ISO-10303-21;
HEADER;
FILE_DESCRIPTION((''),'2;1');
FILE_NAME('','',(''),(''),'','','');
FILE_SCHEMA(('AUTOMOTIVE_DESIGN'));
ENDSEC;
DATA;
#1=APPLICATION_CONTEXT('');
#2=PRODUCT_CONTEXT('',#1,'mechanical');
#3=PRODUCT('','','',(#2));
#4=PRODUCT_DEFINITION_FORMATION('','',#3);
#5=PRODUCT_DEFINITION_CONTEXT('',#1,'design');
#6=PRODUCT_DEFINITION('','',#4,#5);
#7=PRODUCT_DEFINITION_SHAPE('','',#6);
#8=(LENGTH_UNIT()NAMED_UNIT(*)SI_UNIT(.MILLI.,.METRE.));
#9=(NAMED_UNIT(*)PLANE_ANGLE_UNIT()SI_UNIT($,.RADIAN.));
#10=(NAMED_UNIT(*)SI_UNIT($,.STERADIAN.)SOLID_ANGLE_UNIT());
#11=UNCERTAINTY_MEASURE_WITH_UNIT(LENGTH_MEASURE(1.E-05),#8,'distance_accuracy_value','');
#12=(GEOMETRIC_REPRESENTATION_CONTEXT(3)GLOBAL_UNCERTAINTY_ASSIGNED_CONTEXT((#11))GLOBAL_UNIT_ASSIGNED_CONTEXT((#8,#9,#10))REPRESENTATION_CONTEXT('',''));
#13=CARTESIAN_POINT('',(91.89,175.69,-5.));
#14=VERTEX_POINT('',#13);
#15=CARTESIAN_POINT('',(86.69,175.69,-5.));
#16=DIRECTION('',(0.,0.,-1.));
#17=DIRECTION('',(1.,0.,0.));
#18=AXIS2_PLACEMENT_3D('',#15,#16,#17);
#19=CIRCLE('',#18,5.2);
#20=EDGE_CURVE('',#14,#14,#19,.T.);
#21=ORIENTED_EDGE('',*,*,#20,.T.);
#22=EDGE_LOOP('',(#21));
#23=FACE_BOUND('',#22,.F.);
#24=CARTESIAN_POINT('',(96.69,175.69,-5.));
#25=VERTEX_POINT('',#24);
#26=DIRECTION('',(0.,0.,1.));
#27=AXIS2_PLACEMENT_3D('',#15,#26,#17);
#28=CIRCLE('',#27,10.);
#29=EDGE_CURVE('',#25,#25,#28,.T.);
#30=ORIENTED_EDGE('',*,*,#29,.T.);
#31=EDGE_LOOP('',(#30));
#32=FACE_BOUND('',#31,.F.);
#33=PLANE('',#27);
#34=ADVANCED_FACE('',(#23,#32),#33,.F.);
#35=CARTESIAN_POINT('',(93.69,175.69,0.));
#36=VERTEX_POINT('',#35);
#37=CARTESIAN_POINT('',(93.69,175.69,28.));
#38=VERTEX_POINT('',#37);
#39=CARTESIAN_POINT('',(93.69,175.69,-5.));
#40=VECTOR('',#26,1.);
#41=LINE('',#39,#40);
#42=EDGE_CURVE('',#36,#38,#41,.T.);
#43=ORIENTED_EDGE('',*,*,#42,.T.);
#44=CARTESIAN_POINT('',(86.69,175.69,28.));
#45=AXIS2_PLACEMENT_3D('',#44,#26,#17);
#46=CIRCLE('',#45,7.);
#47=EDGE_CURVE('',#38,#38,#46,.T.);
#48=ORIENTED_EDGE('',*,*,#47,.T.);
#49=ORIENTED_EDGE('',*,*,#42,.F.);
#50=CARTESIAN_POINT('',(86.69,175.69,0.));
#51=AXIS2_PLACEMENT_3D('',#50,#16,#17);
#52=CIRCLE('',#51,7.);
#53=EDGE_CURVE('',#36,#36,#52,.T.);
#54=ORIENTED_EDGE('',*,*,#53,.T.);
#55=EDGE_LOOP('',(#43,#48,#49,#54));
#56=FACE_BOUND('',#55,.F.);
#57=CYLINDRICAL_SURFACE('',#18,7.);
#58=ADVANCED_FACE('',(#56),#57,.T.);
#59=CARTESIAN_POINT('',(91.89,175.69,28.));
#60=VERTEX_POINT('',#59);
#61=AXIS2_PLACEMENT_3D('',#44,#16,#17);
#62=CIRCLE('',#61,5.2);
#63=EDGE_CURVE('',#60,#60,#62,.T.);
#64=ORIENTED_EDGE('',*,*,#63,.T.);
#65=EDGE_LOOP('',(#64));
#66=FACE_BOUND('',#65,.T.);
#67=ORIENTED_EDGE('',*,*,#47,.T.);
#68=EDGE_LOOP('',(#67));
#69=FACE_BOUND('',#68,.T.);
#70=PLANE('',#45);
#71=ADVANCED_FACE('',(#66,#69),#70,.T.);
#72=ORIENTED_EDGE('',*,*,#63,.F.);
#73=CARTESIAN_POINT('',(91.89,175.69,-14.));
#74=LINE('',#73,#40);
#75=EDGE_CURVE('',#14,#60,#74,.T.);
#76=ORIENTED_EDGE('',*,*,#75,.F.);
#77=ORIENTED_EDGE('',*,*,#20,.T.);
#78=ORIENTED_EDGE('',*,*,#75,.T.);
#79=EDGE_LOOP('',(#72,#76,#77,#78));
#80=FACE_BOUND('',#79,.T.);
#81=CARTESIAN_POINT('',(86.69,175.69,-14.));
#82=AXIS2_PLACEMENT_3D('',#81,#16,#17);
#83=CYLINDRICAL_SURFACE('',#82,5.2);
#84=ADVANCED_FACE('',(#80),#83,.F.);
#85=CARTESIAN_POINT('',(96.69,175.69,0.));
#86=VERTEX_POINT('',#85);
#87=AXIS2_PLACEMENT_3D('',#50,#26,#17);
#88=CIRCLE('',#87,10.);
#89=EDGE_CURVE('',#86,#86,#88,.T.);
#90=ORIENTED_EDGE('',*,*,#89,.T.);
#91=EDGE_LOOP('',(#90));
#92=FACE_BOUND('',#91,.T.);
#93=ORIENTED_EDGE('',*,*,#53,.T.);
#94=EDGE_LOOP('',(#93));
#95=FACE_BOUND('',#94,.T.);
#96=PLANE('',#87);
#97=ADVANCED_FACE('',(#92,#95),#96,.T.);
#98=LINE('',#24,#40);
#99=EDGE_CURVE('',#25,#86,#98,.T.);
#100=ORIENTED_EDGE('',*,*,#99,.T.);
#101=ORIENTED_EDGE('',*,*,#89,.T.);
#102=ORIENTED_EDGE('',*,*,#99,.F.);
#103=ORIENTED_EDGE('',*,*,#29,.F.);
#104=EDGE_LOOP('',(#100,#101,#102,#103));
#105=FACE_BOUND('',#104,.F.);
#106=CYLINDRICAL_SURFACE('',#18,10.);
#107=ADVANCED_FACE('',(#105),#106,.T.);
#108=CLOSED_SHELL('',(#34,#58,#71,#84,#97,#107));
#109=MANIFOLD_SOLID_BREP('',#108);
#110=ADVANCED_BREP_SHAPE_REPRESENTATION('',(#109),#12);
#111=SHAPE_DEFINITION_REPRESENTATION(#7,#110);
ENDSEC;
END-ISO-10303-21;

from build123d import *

# Parameters (mm, degrees)
CYLINDER110_R     = 1.5
CYLINDER110_DEPTH = 11
CYLINDER104_R     = 5.2
CYLINDER104_DEPTH = 46
CYLINDER109_R     = 1.5
CYLINDER109_DEPTH = 11
BOX018_W          = 14
BOX018_H          = 1
BOX018_DEPTH      = 5
CYLINDER102_R     = 10
CYLINDER102_DEPTH = 5
CYLINDER071_R     = 7
CYLINDER071_DEPTH = 33


with BuildPart() as ftthreaded006:
    # Cylinder110 → Cylinder110 (new body)
    with BuildSketch(Plane(origin=(99.69, 175.69, -10), x_dir=(1, 0, 0), z_dir=(0, 0, 1))):
        Circle(CYLINDER110_R)
    extrude(amount=CYLINDER110_DEPTH)


with BuildPart() as rffeeds006:
    # Cylinder104 → Cylinder104 (new body)
    with BuildSketch(Plane(origin=(86.69, 175.69, -14), x_dir=(1, 0, 0), z_dir=(0, 0, 1))):
        Circle(CYLINDER104_R)
    extrude(amount=CYLINDER104_DEPTH)


with BuildPart() as fusion046:
    # Cylinder109 → Cylinder109 (new body)
    with BuildSketch(Plane(origin=(73.69, 175.69, -10), x_dir=(1, 0, 0), z_dir=(0, 0, 1))):
        Circle(CYLINDER109_R)
    extrude(amount=CYLINDER109_DEPTH)

    # Fusion046: union FTThreaded006, RFFeeds006
    add(ftthreaded006.part)
    add(rffeeds006.part)


with BuildPart() as rffeedlug:
    # Box018 → Box018 (new body)
    with BuildSketch(Plane(origin=(77.69, 171.69, -5), x_dir=(1, 0, 0), z_dir=(0, 0, 1))):
        with Locations((7, 0.5)):
            Rectangle(BOX018_W, BOX018_H)
    extrude(amount=BOX018_DEPTH)


with BuildPart() as rffeeds005:
    # Cylinder102 → Cylinder102 (new body)
    with BuildSketch(Plane(origin=(86.69, 175.69, -5), x_dir=(1, 0, 0), z_dir=(0, 0, 1))):
        Circle(CYLINDER102_R)
    extrude(amount=CYLINDER102_DEPTH)


with BuildPart() as rfftinsulator1:
    # Cylinder071 → Cylinder071 (new body)
    with BuildSketch(Plane(origin=(86.69, 175.69, -5), x_dir=(1, 0, 0), z_dir=(0, 0, 1))):
        Circle(CYLINDER071_R)
    extrude(amount=CYLINDER071_DEPTH)

    # Fusion045: union RFFeedLug, RFFeeds005
    add(rffeedlug.part)
    add(rffeeds005.part)

    # Cut013: cut Fusion046
    add(fusion046.part, mode=Mode.SUBTRACT)


solid = rfftinsulator1.part
